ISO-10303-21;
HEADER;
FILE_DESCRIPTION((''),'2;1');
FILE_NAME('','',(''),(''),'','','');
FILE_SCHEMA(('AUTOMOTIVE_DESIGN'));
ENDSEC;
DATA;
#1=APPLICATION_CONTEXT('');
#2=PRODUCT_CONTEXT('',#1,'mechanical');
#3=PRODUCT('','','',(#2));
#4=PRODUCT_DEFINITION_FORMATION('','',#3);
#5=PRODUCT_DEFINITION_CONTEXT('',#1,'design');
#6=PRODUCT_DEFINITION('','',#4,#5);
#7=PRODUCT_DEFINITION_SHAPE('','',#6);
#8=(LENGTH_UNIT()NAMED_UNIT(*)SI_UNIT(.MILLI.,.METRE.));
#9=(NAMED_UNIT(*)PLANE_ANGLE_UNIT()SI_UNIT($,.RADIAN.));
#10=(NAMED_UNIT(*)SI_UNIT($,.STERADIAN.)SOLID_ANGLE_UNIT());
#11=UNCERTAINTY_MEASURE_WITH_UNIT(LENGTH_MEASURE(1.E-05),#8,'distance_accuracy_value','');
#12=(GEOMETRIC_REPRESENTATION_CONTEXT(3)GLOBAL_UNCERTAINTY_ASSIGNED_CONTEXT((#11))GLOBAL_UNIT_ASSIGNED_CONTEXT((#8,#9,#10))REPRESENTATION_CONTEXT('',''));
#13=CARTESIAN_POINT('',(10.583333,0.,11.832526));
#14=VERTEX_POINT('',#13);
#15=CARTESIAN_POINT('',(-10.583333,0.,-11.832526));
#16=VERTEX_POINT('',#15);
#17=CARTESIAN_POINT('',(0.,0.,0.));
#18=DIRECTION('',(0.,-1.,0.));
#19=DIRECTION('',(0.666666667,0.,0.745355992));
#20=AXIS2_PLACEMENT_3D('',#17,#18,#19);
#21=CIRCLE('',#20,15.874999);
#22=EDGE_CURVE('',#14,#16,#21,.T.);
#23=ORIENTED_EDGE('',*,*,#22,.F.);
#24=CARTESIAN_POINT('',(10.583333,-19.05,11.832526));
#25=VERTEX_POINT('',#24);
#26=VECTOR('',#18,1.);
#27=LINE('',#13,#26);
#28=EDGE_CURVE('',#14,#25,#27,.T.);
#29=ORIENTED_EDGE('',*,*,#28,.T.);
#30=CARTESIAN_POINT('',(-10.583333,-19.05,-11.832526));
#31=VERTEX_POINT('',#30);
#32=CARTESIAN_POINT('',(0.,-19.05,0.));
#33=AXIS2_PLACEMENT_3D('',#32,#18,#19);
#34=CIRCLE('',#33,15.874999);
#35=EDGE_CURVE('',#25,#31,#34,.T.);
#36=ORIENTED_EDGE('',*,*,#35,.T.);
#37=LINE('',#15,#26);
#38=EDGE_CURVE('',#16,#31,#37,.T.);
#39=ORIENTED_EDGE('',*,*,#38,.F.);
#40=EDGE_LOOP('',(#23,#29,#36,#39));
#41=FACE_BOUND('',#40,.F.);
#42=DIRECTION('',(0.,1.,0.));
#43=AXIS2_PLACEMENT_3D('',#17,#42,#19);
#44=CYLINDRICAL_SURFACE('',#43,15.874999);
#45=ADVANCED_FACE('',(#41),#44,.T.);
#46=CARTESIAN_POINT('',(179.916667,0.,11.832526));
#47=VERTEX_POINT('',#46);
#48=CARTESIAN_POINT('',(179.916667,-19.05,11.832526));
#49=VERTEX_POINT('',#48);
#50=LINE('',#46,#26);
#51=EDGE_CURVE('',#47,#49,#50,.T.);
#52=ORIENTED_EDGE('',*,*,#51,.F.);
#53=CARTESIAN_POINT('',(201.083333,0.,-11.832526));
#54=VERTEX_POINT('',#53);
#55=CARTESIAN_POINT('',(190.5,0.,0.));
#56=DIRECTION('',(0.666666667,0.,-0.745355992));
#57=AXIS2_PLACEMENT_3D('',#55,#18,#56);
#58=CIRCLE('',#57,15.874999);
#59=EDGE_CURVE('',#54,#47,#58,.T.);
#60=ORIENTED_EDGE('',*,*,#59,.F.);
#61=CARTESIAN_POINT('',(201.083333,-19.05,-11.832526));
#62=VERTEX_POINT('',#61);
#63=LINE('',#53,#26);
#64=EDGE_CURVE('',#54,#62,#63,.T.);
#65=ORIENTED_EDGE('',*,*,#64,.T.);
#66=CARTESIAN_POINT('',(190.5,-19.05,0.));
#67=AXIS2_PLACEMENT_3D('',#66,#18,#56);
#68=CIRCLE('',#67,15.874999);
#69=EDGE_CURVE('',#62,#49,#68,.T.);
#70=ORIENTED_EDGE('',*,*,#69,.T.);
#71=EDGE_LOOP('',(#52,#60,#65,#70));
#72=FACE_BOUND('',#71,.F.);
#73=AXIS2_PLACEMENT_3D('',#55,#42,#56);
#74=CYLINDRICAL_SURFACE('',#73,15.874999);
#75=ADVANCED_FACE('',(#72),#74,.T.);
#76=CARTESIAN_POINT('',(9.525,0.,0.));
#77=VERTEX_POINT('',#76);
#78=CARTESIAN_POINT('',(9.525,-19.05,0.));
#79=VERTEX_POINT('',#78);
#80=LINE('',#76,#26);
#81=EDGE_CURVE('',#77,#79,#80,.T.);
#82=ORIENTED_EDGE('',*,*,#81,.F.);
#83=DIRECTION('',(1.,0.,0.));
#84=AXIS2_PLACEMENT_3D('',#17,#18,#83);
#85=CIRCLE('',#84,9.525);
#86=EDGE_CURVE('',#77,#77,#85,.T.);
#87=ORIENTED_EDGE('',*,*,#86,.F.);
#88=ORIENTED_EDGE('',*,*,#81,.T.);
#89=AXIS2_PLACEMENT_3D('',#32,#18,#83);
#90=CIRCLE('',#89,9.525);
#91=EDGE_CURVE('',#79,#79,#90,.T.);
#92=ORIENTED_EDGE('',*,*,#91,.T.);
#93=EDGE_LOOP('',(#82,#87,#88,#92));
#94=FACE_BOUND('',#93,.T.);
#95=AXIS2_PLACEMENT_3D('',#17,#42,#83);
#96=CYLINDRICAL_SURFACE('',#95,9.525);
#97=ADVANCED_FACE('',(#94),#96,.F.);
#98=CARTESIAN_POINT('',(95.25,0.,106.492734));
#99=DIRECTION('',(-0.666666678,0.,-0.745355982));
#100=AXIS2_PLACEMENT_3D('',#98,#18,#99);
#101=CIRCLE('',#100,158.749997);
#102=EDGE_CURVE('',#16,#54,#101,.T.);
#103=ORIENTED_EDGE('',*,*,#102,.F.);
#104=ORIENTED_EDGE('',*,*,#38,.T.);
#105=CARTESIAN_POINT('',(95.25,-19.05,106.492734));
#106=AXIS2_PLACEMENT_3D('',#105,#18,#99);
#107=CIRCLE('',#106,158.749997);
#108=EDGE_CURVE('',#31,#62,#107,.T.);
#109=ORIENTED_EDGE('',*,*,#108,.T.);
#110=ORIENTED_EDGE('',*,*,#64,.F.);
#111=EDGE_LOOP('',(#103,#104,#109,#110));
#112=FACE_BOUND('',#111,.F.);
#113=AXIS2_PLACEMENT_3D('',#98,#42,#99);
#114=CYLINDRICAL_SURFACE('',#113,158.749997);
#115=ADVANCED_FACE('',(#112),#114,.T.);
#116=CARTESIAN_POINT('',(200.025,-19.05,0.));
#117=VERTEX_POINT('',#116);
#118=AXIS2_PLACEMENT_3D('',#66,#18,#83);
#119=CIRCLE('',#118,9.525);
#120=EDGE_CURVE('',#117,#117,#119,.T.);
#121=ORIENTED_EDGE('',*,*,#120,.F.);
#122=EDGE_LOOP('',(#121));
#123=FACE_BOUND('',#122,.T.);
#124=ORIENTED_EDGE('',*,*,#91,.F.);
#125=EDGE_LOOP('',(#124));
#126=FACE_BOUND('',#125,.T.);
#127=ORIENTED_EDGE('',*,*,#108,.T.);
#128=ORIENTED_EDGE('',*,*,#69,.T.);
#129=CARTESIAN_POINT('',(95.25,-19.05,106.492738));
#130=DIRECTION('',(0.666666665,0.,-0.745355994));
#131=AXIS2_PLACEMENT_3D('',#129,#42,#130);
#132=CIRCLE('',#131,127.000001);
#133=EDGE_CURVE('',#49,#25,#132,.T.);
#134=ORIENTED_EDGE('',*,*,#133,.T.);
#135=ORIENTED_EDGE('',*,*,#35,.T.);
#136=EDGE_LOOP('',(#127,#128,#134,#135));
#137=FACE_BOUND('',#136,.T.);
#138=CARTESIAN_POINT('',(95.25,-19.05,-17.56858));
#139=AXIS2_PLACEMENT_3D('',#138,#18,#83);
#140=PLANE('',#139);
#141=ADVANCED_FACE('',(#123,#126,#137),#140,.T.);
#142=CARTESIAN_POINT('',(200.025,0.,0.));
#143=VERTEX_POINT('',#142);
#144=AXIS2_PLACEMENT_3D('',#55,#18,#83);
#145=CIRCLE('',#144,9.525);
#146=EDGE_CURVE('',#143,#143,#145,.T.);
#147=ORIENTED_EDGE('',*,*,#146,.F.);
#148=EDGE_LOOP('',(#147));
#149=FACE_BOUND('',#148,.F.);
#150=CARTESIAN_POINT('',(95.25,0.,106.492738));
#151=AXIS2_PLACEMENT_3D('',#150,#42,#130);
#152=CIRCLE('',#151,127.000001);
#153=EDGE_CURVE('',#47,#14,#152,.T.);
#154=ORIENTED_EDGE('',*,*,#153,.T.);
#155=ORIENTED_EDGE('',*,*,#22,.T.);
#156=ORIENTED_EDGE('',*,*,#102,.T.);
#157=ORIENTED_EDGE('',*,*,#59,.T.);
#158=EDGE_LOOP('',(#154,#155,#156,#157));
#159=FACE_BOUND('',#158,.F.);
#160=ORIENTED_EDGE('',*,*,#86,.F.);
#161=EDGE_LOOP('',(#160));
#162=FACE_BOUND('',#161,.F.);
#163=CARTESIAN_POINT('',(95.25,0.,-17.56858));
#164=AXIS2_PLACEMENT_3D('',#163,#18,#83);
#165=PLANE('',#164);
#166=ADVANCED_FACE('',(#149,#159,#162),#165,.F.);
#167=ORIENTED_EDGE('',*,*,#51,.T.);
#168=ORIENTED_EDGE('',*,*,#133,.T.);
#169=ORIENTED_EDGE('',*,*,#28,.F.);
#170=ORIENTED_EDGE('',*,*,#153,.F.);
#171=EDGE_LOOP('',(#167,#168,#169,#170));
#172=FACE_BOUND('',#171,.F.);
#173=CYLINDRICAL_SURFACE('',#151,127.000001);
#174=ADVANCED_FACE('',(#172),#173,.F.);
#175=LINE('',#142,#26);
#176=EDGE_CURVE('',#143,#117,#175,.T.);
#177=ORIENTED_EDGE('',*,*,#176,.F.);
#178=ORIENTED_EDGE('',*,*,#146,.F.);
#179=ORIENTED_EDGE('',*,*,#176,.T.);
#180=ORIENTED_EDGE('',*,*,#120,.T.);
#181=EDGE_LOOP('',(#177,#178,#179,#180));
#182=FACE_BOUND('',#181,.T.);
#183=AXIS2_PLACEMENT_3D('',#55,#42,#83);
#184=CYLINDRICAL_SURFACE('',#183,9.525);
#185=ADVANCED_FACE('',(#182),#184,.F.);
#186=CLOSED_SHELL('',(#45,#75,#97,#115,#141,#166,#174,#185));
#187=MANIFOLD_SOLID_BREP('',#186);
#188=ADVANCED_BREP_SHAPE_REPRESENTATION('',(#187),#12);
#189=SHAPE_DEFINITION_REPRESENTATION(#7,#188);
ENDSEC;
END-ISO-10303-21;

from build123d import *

# Parameters (mm, degrees)
F0_R     = 9.525
F1_DEPTH = 19.05


with BuildPart() as f1:
    # F0 (on Front) → F1 (new body)
    with BuildSketch(Plane.XZ):
        with BuildLine():
            ThreePointArc((179.916667, 11.832526), (95.25, -20.507263), (10.583333, 11.832526))
            ThreePointArc((10.583333, 11.832526), (-11.832526, 10.583333), (-10.583333, -11.832526))
            ThreePointArc((-10.583333, -11.832526), (95.25, -52.257263), (201.083333, -11.832526))
            ThreePointArc((201.083333, -11.832526), (202.332526, 10.583333), (179.916667, 11.832526))
        make_face()
        Circle(F0_R, mode=Mode.SUBTRACT)
        with Locations((190.5, 0)):
            Circle(F0_R, mode=Mode.SUBTRACT)
    extrude(amount=F1_DEPTH)


solid = f1.part
